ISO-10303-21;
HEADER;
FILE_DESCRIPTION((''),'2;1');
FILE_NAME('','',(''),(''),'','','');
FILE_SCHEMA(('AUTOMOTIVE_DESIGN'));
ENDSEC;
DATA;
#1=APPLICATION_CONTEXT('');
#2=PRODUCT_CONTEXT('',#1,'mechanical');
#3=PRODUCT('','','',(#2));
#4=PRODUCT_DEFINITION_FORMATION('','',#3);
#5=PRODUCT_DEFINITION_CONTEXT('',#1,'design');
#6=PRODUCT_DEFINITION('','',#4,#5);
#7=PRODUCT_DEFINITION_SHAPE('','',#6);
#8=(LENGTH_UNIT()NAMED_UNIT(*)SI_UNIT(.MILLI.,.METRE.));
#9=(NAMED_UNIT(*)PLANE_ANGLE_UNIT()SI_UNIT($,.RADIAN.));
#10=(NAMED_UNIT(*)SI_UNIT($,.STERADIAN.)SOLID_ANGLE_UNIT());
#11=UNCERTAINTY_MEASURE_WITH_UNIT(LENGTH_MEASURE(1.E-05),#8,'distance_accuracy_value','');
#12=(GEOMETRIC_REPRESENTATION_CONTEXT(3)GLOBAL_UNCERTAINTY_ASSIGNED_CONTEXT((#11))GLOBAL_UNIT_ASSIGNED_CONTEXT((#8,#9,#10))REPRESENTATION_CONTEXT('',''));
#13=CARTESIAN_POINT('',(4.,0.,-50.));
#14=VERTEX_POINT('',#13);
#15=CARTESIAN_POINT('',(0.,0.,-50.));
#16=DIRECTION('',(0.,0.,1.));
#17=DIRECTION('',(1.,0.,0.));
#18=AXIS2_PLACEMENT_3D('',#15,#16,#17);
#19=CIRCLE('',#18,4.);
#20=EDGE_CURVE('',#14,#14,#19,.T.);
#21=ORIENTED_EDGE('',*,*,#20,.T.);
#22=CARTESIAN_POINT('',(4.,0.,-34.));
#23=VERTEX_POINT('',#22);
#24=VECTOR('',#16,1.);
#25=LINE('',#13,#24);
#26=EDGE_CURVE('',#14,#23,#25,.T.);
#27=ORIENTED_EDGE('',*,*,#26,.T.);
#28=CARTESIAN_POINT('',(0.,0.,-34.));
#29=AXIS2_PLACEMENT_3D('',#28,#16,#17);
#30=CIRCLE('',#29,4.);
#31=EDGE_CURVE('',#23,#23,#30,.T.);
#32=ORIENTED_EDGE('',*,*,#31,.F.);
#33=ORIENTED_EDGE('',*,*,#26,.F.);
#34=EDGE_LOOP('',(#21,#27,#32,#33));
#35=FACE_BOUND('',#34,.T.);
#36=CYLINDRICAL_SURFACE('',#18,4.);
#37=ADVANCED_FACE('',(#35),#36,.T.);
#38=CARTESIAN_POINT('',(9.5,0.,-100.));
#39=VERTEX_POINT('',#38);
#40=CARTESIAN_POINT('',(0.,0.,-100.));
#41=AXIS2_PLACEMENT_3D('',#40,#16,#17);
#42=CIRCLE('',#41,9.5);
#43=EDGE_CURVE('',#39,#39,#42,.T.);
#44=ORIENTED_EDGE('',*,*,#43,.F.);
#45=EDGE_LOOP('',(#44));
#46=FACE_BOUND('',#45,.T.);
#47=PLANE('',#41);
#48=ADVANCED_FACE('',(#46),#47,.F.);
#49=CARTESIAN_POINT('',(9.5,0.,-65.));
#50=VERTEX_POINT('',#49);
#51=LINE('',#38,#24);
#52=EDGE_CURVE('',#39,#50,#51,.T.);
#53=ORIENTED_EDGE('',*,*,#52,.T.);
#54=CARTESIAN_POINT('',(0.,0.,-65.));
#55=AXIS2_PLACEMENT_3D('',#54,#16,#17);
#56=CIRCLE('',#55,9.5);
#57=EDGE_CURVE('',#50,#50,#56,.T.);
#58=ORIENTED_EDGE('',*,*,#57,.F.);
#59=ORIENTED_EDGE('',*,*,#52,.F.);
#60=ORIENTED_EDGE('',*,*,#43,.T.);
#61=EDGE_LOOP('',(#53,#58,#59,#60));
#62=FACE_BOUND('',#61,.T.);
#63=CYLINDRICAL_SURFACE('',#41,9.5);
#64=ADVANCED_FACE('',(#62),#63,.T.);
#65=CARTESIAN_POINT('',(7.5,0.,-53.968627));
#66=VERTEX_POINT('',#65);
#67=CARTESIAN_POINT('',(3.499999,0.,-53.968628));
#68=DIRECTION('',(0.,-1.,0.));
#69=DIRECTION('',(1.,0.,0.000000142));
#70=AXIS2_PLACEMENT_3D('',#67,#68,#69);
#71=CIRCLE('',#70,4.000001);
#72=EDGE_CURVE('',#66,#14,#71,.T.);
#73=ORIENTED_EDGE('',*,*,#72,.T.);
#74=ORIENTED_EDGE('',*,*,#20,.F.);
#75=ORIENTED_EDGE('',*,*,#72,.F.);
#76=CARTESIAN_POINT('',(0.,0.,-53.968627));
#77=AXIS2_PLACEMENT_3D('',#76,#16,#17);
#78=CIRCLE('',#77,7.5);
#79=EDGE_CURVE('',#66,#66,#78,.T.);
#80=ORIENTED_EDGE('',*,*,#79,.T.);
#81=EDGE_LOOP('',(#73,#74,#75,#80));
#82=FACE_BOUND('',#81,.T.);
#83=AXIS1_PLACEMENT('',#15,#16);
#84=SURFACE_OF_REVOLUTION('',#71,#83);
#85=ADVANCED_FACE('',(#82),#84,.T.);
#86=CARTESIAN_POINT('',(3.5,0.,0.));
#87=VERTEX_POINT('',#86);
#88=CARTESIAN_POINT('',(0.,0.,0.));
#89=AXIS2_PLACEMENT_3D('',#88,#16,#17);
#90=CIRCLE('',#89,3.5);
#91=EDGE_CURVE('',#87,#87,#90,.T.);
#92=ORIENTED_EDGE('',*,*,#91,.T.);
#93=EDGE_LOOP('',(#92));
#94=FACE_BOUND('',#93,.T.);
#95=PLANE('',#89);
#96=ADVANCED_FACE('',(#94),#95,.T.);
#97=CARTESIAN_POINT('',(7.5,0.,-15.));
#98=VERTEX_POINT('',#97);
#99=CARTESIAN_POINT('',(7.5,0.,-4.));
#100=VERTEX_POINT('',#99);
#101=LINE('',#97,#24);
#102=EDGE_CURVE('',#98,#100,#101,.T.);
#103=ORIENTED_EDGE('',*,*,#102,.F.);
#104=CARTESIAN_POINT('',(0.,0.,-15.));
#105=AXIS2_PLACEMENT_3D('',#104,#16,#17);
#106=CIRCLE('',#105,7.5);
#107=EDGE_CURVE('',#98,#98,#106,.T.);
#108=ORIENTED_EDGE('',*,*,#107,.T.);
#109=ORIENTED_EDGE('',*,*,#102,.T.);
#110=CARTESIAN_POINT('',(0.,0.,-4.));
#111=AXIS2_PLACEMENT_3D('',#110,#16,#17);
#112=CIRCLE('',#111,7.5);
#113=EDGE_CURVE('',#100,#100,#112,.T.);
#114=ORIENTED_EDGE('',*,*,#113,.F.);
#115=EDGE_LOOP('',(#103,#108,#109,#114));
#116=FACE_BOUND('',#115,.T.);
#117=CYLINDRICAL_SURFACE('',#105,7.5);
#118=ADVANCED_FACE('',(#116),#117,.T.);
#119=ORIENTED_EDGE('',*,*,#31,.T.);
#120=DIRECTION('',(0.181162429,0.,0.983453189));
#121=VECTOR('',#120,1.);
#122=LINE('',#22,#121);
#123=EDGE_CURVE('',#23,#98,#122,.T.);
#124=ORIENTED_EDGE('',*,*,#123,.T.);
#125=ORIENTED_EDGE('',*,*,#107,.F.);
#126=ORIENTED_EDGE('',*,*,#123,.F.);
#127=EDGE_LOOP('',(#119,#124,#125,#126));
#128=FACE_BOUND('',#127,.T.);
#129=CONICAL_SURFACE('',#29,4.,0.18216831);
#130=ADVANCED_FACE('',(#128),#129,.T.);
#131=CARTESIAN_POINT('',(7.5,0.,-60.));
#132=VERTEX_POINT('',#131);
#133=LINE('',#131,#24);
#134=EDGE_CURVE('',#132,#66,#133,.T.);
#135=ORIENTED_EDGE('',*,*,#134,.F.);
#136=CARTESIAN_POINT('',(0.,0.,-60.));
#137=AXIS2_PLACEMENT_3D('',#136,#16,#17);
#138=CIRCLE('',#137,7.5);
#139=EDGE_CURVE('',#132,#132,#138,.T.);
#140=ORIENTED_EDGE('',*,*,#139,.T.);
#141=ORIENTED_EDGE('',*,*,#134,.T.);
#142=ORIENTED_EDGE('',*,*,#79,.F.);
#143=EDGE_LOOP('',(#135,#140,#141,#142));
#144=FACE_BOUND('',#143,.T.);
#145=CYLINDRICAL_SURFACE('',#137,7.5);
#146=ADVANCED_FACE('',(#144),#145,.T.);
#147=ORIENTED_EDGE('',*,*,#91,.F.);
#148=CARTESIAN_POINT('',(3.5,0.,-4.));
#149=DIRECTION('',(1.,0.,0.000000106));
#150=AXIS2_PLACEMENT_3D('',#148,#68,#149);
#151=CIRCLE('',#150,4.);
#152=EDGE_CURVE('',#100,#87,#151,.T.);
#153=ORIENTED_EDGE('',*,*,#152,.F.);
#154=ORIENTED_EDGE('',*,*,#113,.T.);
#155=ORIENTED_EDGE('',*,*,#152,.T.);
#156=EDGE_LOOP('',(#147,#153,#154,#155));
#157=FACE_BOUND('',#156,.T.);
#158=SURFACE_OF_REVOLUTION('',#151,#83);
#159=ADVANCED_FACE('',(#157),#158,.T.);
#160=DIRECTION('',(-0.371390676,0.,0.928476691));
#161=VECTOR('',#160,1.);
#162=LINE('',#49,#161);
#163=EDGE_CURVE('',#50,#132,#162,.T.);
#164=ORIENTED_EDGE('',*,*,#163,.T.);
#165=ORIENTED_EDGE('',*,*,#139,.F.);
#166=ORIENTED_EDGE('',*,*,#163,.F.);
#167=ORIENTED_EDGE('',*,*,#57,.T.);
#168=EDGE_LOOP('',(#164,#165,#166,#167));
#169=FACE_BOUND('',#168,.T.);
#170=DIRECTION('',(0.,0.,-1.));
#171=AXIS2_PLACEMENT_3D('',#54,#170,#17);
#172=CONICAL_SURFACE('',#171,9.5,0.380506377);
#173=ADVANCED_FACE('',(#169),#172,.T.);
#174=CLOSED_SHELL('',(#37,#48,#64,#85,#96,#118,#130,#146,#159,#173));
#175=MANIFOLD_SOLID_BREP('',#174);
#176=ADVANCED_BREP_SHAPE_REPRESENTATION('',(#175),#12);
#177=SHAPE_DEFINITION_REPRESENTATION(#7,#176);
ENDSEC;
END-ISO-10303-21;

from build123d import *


with BuildPart() as f1:
    # F0 (on Front) → F1 (revolve)
    with BuildSketch(Plane.XZ):
        with BuildLine():
            Line((3.5, 0), (0, 0))
            Line((0, 0), (0, -100))
            Line((0, -100), (9.5, -100))
            Line((9.5, -100), (9.5, -65))
            Line((9.5, -65), (7.5, -60))
            Line((7.5, -60), (7.5, -53.968627))
            ThreePointArc((7.5, -53.968627), (6.5, -51.322876), (4, -50))
            Line((4, -50), (4, -34))
            Line((4, -34), (7.5, -15))
            Line((7.5, -15), (7.5, -4))
            ThreePointArc((7.5, -4), (6.328427, -1.171573), (3.5, 0))
        make_face()
    revolve(axis=Axis((0, 0, -50), (0, 0, 1)))


solid = f1.part
